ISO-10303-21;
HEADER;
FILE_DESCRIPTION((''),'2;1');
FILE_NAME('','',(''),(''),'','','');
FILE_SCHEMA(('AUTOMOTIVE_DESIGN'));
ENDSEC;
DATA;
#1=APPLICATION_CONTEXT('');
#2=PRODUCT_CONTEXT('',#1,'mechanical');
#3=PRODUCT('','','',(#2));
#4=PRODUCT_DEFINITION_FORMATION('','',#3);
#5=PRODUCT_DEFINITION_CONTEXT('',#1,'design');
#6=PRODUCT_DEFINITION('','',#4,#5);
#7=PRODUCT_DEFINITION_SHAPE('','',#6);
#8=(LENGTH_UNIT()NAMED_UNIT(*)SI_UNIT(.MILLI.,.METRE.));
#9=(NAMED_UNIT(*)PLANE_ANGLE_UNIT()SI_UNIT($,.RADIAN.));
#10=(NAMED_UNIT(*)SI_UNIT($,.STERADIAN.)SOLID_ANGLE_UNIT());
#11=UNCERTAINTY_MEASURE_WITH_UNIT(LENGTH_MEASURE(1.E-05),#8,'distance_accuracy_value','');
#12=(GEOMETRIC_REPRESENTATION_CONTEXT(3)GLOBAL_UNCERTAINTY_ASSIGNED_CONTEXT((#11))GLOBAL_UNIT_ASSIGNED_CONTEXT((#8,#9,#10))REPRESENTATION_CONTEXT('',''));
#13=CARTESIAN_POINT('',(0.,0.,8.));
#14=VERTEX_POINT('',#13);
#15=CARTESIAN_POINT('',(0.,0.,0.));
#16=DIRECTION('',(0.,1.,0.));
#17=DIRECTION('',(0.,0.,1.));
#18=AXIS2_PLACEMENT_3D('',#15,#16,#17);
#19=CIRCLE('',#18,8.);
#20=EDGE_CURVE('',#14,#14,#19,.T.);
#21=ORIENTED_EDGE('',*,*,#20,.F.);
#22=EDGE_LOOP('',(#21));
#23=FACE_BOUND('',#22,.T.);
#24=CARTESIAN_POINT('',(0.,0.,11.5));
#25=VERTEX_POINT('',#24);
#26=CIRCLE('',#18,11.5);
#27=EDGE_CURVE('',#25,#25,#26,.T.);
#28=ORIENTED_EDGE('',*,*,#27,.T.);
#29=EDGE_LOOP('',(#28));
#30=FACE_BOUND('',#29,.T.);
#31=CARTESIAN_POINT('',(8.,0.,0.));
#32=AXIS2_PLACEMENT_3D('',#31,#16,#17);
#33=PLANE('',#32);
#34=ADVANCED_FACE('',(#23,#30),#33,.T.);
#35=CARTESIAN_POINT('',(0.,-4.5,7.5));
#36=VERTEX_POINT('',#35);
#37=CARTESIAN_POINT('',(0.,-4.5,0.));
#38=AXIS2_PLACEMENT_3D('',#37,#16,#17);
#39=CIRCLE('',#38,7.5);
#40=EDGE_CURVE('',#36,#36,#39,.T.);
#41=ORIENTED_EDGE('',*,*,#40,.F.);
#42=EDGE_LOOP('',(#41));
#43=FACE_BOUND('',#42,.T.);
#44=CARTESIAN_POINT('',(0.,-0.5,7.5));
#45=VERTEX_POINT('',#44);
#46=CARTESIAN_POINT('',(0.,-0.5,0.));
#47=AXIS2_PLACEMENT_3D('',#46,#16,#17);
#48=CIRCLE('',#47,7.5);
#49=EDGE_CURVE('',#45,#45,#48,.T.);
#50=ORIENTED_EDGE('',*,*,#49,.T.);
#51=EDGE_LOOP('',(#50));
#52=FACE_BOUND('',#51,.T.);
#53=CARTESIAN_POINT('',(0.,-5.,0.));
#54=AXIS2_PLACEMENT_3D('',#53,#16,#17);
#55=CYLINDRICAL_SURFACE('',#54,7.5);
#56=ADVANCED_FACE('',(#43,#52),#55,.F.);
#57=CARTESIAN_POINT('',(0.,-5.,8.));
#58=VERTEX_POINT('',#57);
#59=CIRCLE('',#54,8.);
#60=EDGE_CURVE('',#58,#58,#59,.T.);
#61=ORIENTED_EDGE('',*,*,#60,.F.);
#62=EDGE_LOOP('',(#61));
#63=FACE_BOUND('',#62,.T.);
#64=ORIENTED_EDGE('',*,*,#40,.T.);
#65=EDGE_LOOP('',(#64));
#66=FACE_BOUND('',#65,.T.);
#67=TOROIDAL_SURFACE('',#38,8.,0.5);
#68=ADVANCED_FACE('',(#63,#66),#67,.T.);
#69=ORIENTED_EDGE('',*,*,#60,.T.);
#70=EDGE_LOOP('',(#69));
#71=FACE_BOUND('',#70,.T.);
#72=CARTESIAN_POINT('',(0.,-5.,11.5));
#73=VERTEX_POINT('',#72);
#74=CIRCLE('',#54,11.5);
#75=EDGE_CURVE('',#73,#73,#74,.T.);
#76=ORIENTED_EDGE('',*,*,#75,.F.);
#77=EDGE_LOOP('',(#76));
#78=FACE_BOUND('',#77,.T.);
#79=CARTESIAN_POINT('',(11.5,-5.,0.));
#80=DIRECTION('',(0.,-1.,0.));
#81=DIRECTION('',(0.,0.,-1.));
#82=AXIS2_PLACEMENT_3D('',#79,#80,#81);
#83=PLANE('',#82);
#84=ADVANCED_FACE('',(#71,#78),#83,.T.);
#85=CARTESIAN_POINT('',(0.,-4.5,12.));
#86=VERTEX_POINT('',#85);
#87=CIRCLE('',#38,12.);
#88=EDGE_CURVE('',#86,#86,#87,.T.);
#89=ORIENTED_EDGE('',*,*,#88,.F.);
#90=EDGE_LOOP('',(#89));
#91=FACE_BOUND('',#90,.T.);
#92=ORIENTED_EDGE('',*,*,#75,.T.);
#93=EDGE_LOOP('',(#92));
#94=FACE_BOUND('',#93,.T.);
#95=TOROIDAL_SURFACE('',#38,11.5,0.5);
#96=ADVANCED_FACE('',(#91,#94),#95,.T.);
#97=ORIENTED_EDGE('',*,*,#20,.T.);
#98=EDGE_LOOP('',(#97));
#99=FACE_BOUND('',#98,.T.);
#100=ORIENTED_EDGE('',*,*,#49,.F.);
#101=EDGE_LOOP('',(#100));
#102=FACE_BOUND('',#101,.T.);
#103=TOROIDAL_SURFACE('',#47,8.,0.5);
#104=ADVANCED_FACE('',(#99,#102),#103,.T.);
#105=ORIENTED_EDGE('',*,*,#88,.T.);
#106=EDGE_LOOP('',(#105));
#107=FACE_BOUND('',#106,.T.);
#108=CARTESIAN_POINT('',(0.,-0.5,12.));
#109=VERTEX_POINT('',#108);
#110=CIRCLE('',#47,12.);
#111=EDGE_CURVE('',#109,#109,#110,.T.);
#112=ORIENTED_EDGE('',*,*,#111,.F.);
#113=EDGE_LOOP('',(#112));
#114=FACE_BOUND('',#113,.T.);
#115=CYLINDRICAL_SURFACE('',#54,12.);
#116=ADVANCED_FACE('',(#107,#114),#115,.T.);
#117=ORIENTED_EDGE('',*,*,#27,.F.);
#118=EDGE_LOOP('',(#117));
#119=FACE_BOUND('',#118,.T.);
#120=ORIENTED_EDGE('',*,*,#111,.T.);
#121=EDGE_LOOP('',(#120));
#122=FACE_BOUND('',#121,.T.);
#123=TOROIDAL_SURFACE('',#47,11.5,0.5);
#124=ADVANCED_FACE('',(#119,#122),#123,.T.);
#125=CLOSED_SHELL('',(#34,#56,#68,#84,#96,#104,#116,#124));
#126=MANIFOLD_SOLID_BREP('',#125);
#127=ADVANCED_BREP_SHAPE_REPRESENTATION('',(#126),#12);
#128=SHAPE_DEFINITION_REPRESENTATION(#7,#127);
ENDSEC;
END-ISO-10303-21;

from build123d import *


with BuildPart() as part:
    # Sketch1 → Revolve1 (revolve)
    with BuildSketch(Plane(origin=(0, 0, 0), x_dir=(-1, 0, 0), z_dir=(0, 0, -1)), mode=Mode.PRIVATE) as revolve1_sk:
        with BuildLine():
            Line((-12, -0.5), (-12, -4.5))
            ThreePointArc((-12, -4.5), (-11.853553391, -4.853553391), (-11.5, -5))
            Line((-11.5, -5), (-8, -5))
            ThreePointArc((-8, -5), (-7.646446609, -4.853553391), (-7.5, -4.5))
            Line((-7.5, -4.5), (-7.5, -0.5))
            ThreePointArc((-7.5, -0.5), (-7.646446609, -0.146446609), (-8, 0))
            Line((-8, 0), (-11.5, 0))
            ThreePointArc((-11.5, 0), (-11.853553391, -0.146446609), (-12, -0.5))
        make_face()
    revolve(revolve1_sk.sketch.rotate(Axis((0, -5, 0), (0, 1, 0)), 270), axis=Axis((0, -5, 0), (0, 1, 0)))


solid = part.part
